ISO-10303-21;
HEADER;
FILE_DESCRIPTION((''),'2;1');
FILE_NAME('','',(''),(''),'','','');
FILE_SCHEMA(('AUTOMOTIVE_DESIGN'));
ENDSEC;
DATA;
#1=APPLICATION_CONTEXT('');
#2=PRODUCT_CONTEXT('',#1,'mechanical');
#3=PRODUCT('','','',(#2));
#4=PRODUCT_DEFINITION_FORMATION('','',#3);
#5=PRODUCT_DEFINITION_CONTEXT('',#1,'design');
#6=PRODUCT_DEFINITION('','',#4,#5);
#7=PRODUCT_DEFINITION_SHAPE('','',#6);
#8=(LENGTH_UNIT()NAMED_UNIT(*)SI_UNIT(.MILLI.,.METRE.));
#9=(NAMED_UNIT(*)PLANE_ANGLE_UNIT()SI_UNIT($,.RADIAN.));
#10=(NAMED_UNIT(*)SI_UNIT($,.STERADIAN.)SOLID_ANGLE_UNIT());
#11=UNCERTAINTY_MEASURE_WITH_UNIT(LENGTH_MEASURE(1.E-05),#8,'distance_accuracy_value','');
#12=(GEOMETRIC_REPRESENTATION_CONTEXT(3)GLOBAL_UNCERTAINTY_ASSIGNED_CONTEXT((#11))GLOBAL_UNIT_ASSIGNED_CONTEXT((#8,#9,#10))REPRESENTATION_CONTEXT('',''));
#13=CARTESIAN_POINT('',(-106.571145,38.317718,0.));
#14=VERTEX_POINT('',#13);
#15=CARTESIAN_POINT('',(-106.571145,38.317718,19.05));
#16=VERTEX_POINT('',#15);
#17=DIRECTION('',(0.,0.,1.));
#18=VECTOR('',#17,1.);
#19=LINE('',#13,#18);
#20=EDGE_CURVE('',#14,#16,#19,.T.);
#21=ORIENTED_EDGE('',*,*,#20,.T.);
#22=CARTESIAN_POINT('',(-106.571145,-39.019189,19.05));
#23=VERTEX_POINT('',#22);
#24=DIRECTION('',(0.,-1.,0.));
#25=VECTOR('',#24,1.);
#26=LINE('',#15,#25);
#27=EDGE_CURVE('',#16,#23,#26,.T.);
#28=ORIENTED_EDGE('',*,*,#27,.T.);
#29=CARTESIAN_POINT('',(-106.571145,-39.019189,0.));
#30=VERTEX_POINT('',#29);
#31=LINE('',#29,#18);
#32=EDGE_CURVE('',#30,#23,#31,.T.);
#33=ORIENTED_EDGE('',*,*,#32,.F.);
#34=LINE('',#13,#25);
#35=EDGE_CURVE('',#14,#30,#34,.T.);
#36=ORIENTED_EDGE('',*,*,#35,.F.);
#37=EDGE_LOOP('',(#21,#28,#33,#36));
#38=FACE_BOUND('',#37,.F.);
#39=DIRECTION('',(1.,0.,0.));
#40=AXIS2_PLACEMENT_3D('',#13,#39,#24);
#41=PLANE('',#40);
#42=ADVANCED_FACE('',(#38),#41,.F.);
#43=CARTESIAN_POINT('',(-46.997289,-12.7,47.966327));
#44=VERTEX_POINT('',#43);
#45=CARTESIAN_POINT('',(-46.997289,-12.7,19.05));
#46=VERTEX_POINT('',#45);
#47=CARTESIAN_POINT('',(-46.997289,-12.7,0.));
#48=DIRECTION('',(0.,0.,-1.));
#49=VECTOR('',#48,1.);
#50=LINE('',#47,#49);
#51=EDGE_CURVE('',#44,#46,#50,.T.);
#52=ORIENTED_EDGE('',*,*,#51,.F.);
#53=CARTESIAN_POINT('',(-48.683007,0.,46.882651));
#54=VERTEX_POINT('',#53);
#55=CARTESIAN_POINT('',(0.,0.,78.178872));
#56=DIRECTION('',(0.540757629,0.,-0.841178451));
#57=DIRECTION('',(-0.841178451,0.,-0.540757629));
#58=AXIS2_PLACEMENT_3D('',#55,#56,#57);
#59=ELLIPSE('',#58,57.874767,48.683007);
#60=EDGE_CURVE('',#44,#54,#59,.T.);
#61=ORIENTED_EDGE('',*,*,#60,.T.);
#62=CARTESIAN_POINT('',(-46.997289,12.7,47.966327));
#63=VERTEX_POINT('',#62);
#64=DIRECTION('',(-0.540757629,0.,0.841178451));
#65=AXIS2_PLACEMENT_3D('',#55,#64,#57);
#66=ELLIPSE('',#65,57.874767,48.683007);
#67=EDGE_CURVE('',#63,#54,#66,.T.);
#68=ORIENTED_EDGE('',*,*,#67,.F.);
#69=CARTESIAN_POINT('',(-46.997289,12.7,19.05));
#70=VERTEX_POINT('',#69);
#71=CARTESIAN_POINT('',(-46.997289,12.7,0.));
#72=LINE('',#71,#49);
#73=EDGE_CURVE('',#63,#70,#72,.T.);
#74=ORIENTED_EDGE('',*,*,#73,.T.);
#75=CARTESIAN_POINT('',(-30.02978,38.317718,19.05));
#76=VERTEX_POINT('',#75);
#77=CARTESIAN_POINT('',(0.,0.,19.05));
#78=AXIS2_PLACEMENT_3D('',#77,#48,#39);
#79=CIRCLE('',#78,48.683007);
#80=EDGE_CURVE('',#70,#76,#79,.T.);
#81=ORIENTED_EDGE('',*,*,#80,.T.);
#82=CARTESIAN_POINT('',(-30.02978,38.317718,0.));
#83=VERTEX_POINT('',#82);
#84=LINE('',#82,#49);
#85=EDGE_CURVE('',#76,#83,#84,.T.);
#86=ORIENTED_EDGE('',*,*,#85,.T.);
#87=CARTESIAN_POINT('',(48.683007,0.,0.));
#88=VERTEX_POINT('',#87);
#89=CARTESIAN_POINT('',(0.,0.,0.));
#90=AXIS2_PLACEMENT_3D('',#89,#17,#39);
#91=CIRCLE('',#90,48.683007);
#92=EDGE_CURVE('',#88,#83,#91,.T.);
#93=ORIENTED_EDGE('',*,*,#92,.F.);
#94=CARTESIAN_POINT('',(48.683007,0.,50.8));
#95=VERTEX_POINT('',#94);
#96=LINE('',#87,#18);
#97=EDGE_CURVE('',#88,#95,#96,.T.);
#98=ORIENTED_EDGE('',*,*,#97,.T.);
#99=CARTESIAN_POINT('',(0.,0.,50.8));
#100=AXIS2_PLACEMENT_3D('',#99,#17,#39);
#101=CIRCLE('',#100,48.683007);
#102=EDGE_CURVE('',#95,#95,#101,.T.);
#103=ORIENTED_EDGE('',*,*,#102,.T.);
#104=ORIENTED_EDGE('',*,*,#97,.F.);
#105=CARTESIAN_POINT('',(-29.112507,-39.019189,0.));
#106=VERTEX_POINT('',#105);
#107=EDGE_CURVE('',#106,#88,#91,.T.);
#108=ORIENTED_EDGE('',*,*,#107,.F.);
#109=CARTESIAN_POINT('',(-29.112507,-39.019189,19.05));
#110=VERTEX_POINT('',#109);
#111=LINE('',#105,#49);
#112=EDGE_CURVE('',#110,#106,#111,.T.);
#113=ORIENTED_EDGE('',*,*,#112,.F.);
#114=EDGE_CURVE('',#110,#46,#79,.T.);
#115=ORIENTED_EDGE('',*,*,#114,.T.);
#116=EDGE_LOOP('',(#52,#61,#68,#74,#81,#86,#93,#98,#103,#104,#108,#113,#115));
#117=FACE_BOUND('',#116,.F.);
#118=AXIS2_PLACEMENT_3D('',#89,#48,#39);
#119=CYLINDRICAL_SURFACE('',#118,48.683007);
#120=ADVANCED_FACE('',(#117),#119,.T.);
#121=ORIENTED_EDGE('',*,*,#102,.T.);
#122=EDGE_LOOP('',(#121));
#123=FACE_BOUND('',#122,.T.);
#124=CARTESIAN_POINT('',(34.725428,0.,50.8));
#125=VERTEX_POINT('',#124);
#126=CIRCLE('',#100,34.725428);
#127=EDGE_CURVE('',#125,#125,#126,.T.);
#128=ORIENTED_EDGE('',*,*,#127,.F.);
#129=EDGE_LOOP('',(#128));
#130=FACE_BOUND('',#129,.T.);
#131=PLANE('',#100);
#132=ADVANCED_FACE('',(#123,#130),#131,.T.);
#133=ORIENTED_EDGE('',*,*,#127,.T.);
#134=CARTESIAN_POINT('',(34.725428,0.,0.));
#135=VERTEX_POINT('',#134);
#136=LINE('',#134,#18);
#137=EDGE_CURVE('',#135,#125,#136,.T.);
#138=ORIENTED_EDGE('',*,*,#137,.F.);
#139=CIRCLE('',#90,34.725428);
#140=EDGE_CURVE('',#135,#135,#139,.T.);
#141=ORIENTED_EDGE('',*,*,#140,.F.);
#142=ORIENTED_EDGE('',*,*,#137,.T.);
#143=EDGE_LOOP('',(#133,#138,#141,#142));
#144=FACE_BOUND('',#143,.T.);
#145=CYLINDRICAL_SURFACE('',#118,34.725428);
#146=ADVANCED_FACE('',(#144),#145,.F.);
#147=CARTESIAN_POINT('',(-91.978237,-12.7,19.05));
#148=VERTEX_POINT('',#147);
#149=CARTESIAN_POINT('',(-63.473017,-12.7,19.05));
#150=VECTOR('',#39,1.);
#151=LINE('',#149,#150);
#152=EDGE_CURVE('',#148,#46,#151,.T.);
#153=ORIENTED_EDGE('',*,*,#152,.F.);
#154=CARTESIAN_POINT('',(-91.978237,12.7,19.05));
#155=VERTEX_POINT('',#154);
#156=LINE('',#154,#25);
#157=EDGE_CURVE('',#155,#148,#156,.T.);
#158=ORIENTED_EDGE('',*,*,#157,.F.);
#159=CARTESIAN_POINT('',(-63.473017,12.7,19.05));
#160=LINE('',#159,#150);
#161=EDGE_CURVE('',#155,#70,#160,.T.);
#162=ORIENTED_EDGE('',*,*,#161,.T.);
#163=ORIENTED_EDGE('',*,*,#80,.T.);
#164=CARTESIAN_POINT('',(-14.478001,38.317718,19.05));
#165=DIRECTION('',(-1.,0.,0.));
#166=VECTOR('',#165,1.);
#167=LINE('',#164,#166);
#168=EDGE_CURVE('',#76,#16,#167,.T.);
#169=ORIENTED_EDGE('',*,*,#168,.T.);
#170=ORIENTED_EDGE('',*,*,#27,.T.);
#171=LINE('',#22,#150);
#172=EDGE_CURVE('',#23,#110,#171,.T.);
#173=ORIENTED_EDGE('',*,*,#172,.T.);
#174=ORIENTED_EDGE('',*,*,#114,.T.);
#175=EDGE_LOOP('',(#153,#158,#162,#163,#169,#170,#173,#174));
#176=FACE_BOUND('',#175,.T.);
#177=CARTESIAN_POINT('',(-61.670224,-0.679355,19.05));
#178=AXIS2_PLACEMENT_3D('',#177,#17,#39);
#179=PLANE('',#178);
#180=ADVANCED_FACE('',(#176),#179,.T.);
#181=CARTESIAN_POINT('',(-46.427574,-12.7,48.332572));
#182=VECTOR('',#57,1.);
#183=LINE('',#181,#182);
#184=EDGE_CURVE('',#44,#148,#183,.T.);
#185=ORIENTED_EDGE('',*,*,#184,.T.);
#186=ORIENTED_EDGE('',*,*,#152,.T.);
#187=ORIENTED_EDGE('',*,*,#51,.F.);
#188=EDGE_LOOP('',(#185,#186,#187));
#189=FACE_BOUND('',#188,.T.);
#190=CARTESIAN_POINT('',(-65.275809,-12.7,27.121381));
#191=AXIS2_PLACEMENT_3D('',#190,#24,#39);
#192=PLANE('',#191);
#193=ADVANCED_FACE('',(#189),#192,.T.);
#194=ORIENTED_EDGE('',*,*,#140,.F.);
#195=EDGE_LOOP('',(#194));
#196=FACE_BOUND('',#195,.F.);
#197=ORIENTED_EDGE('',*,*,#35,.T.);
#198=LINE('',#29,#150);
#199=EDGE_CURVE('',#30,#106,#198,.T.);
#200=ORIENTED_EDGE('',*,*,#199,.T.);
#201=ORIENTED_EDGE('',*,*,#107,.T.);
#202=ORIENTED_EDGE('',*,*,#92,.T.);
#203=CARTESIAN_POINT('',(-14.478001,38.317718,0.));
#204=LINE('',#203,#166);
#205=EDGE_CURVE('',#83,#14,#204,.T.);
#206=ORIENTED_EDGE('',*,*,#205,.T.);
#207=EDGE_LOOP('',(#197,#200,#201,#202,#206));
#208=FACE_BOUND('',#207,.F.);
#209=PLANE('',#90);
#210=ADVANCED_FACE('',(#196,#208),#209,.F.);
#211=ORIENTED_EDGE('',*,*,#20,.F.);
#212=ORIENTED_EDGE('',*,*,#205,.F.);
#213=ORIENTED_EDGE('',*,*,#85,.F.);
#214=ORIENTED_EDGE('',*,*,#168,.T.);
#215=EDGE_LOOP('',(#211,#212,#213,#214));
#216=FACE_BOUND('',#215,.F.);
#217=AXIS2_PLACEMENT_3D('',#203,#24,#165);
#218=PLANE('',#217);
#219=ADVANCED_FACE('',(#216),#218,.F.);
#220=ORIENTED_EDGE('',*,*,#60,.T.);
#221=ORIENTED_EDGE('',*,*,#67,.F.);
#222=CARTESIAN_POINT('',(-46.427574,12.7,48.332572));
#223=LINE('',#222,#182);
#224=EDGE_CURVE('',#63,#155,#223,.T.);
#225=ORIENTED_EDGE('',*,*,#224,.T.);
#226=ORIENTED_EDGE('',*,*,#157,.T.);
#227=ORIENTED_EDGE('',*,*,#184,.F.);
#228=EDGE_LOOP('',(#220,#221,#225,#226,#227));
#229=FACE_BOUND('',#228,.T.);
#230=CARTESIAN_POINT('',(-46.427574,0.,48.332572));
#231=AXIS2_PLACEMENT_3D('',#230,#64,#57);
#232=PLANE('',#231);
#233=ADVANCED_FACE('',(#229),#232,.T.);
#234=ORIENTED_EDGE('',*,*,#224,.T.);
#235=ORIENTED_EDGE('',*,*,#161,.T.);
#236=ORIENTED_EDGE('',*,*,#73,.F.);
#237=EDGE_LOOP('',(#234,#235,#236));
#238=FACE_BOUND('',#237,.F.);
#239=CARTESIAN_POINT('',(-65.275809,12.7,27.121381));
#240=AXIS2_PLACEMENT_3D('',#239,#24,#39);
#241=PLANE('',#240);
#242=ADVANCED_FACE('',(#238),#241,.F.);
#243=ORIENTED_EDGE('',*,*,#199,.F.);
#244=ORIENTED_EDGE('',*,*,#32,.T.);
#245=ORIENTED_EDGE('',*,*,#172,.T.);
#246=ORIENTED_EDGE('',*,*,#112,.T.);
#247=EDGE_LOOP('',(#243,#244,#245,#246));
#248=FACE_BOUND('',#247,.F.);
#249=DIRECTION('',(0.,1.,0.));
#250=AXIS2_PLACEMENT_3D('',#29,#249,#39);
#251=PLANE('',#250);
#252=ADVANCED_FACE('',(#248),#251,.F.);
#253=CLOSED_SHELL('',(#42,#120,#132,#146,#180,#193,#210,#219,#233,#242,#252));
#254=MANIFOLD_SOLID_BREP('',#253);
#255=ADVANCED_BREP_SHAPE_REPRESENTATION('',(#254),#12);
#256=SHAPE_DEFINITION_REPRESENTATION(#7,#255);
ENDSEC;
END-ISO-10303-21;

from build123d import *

# Parameters (mm, degrees)
F0_R          = 48.683007
F0_R_2        = 34.725428
F1_DEPTH      = 50.8
F3_DEPTH      = 19.05
F5_DEPTH      = 12.7
F5_DEPTH_BACK = 12.7


with BuildPart() as f1:
    # F0 (on Top) → F1 (new body)
    with BuildSketch(Plane.XY):
        Circle(F0_R)
        Circle(F0_R_2, mode=Mode.SUBTRACT)
    extrude(amount=F1_DEPTH)

    # F2 (on Top) → F3 (join)
    with BuildSketch(Plane.XY):
        with BuildLine():
            ThreePointArc((-12.464464, -39.019189), (-40.947813, -1.066114), (-14.478001, 38.317718))
            Line((-14.478001, 38.317718), (-106.571145, 38.317718))
            Line((-106.571145, 38.317718), (-106.571145, -39.019189))
            Line((-106.571145, -39.019189), (-12.464464, -39.019189))
        make_face()
    extrude(amount=F3_DEPTH)

    # F4 (on Front) → F5 (join, two sides)
    with BuildSketch(Plane.XZ) as f5_sk:
        Polygon((-46.427574, 16.981715), (-46.427574, 48.332572), (-95.195569, 16.981715), align=None)
    extrude(amount=F5_DEPTH)
    extrude(f5_sk.sketch, amount=-F5_DEPTH_BACK)


solid = f1.part
